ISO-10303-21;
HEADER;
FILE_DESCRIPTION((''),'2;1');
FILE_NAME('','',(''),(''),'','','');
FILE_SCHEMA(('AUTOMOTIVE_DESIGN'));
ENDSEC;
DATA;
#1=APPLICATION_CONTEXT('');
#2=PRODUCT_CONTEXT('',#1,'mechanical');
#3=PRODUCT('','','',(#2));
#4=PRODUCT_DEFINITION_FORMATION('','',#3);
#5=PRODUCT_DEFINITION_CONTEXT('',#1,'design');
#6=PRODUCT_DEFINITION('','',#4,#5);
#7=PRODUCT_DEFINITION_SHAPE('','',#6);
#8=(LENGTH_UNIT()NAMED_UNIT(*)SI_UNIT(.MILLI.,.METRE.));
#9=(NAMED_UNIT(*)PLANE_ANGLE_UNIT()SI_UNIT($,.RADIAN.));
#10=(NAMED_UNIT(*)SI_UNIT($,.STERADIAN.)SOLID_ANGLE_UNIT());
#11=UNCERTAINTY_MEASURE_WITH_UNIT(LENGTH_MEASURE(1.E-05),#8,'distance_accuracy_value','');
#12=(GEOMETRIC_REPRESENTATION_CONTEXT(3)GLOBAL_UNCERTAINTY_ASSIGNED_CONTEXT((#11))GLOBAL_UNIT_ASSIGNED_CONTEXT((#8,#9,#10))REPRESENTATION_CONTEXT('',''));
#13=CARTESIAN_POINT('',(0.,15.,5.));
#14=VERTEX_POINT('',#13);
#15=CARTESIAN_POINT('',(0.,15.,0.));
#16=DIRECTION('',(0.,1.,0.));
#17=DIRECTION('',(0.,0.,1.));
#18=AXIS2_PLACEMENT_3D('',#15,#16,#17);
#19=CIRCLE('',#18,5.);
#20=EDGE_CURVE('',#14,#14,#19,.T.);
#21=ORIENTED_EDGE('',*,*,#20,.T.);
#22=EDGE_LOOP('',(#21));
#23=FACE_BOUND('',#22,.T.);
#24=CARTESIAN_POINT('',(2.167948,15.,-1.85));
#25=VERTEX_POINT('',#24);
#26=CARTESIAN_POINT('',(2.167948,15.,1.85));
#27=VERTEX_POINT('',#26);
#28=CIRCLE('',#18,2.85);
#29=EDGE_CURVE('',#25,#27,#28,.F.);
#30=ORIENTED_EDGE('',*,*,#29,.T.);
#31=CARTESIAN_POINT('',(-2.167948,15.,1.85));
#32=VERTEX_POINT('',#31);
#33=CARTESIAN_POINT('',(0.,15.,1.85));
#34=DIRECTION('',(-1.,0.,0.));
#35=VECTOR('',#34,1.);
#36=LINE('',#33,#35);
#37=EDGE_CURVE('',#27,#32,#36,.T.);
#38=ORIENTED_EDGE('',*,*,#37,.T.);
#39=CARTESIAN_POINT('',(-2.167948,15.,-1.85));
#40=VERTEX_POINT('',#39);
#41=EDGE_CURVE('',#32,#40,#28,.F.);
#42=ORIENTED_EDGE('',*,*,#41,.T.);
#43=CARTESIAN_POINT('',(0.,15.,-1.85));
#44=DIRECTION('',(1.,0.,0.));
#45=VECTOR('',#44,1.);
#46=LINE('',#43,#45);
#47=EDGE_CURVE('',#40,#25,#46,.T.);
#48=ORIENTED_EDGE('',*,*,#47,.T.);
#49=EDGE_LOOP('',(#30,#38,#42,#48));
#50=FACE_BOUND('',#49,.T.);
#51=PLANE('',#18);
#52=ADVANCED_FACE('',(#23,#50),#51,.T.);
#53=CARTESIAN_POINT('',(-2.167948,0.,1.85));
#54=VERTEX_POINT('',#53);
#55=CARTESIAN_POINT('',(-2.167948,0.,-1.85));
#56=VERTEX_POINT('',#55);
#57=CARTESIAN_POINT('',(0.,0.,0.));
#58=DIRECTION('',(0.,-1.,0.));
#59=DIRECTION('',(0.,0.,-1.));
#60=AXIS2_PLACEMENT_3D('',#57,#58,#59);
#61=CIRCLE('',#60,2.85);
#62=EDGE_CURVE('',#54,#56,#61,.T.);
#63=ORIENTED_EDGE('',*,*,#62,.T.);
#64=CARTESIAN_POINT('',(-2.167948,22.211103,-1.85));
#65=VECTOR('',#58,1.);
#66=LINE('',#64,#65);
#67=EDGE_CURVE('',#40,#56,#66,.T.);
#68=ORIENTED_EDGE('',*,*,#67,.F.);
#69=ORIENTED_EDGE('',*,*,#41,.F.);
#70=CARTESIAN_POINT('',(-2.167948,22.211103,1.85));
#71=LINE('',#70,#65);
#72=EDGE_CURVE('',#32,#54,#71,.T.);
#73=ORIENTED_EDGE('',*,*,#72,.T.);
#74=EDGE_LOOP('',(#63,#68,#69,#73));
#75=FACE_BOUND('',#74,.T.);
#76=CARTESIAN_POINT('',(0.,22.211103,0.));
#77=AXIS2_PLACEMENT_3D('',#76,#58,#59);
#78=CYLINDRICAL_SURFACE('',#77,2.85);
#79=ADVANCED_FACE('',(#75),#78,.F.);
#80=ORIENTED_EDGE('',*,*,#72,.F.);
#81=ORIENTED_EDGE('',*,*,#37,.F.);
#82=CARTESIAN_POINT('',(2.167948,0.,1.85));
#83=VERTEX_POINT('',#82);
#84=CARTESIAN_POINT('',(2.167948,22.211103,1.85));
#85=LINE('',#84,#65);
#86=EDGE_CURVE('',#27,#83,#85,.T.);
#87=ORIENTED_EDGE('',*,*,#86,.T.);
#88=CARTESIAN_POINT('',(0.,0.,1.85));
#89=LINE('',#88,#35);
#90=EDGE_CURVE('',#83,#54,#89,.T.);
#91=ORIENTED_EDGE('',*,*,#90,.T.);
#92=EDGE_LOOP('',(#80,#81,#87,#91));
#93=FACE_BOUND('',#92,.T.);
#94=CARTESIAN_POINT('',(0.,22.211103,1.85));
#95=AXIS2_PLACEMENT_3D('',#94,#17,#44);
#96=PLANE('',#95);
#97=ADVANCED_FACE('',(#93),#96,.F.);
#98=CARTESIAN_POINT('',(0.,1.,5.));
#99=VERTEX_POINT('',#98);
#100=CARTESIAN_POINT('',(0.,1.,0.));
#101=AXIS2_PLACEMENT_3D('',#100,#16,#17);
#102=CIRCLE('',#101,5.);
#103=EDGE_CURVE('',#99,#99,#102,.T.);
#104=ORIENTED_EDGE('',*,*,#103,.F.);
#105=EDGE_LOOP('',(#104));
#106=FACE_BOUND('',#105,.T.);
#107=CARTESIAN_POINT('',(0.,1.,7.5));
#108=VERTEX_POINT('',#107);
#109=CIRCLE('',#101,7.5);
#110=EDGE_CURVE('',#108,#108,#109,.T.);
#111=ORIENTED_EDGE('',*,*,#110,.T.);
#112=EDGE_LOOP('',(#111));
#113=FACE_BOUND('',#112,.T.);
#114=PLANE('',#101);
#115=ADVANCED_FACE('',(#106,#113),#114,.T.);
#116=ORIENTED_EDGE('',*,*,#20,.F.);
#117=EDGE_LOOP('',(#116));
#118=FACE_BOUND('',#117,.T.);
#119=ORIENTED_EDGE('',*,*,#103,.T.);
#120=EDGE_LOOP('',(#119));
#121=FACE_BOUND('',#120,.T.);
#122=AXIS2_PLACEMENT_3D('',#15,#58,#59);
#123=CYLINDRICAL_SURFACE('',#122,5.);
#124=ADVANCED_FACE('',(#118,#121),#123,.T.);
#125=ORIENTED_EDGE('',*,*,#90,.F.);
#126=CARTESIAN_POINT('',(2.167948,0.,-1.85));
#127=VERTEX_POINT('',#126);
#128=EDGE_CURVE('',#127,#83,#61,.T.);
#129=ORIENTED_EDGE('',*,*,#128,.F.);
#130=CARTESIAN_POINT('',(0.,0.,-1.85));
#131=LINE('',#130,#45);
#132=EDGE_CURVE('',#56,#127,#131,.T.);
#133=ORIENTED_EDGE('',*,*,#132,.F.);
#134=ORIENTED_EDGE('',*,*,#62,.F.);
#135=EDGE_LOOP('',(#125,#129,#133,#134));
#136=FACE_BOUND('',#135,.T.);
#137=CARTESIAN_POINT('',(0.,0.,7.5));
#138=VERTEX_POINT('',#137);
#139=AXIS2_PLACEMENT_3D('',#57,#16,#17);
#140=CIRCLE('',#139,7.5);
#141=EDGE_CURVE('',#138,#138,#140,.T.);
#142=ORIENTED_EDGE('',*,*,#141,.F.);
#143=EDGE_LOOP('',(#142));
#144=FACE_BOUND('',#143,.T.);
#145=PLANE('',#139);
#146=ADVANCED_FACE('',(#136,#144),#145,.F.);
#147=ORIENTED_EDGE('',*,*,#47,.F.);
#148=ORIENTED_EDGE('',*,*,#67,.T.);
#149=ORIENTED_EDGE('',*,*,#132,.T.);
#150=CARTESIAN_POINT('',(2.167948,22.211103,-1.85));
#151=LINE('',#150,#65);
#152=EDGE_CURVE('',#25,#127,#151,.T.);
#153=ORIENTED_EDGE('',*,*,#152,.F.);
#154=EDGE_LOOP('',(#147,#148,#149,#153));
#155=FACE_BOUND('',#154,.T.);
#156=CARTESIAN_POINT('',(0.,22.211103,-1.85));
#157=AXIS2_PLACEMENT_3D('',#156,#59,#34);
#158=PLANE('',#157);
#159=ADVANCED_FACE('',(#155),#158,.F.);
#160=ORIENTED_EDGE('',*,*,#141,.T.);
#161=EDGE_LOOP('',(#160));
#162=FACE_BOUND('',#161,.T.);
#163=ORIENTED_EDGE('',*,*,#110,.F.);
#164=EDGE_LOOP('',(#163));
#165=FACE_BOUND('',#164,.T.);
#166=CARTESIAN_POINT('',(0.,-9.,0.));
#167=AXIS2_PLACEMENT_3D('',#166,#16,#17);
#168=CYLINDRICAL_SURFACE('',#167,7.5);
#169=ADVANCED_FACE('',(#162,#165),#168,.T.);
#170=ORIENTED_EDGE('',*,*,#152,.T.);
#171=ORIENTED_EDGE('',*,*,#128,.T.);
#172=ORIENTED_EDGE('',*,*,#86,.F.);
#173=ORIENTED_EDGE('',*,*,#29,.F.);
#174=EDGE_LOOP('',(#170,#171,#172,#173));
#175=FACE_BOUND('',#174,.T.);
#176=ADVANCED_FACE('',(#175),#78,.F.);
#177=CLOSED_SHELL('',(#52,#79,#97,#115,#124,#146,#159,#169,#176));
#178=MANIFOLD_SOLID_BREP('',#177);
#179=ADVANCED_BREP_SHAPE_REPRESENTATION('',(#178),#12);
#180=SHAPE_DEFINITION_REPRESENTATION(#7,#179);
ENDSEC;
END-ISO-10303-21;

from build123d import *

# Parameters (mm, degrees)
SKETCH1_R            = 10
BOSS_EXTRUDE2_DEPTH  = 1
SKETCH3_R            = 5
BOSS_EXTRUDE3_DEPTH  = 14
CUT_EXTRUDE1_DEPTH   = 19
SKETCH5_R            = 12.5
BOSS_EXTRUDE4_DEPTH  = 1
CUT_EXTRUDE2_DEPTH   = 19
BOSS_EXTRUDE5_DEPTH  = 2
SKETCH8_R            = 7.5
BOSS_EXTRUDE6_DEPTH  = 2
SKETCH9_R            = 1
CUT_EXTRUDE3_DEPTH   = 25
CUT_EXTRUDE4_DEPTH   = 2
BOSS_EXTRUDE7_DEPTH  = 10
SKETCH14_R           = 1
CUT_EXTRUDE5_DEPTH   = 18
SKETCH15_R           = 1
BOSS_EXTRUDE8_DEPTH  = 17
SKETCH16_R           = 1
CUT_EXTRUDE7_DEPTH   = 10
CUT_EXTRUDE8_START   = -2
CUT_EXTRUDE8_DEPTH   = 2
SKETCH18_R           = 7.5
BOSS_EXTRUDE9_DEPTH  = 1.75
SKETCH19_R           = 7.5
SKETCH19_R_2         = 6.5
CUT_EXTRUDE9_DEPTH   = 1.75
BOSS_EXTRUDE11_START = -15
BOSS_EXTRUDE11_DEPTH = 15
SKETCH23_R           = 1
CUT_EXTRUDE10_DEPTH  = 8.75
SKETCH24_R           = 12.5
SKETCH24_R_2         = 7.5
CUT_EXTRUDE11_DEPTH  = 10
CUT_EXTRUDE12_START  = -10
SKETCH25_R           = 7.5
CUT_EXTRUDE12_DEPTH  = 10


with BuildPart() as part:
    # Sketch1 → Boss-Extrude2 (new body)
    with BuildSketch(Plane(origin=(0, 0, 0), x_dir=(1, 0, 0), z_dir=(0, 1, 0))):
        with Locations(Location((0, 0, 0), (0, 0, 270))):
            Circle(SKETCH1_R)
    extrude(amount=BOSS_EXTRUDE2_DEPTH)

    # Sketch3 → Boss-Extrude3 (add)
    with BuildSketch(Plane(origin=(0, 1, 0), x_dir=(1, 0, 0), z_dir=(0, 1, 0))):
        with Locations(Location((0, 0, 0), (0, 0, 270))):
            Circle(SKETCH3_R)
    extrude(amount=BOSS_EXTRUDE3_DEPTH)

    # Sketch4 → Cut-Extrude1 (cut)
    with BuildSketch(Plane(origin=(0, 15, 0), x_dir=(1, 0, 0), z_dir=(0, 1, 0))):
        with BuildLine():
            Line((0, -2), (0, 2))
            Line((0, 2), (-2.236067977, 2))
            ThreePointArc((-2.236067977, 2), (-3, 0), (-2.236067977, -2))
            Line((-2.236067977, -2), (0, -2))
        make_face()
        with BuildLine():
            Line((2.236067977, 2), (0, 2))
            Line((0, 2), (0, -2))
            Line((0, -2), (2.236067977, -2))
            ThreePointArc((2.236067977, -2), (2.802517077, -1.070466269), (3, 0))
            ThreePointArc((3, 0), (2.802517077, 1.070466269), (2.236067977, 2))
        make_face()
    extrude(amount=-CUT_EXTRUDE1_DEPTH, mode=Mode.SUBTRACT)

    # Sketch5 → Boss-Extrude4 (add)
    with BuildSketch(Plane(origin=(0, 1, 0), x_dir=(1, 0, 0), z_dir=(0, 1, 0))):
        with Locations(Location((0, 0, 0), (0, 0, 270))):
            Circle(SKETCH5_R)
    extrude(amount=-BOSS_EXTRUDE4_DEPTH)

    # Sketch6 → Cut-Extrude2 (cut)
    with BuildSketch(Plane(origin=(0, 1, 0), x_dir=(1, 0, 0), z_dir=(0, 1, 0))):
        with BuildLine():
            Line((2.236067977, 2), (-2.236067977, 2))
            ThreePointArc((-2.236067977, 2), (-3, 0), (-2.236067977, -2))
            Line((-2.236067977, -2), (2.236067977, -2))
            ThreePointArc((2.236067977, -2), (3, 0), (2.236067977, 2))
        make_face()
    extrude(amount=-CUT_EXTRUDE2_DEPTH, mode=Mode.SUBTRACT)

    # Sketch22 → Boss-Extrude11 (add)
    with BuildSketch(Plane.XZ.offset(BOSS_EXTRUDE11_START)):
        with BuildLine():
            Line((-2.236067977, 2), (2.236067977, 2))
            ThreePointArc((2.236067977, 2), (3, 0), (2.236067977, -2))
            Line((2.236067977, -2), (-2.236067977, -2))
            ThreePointArc((-2.236067977, -2), (-3, 0), (-2.236067977, 2))
        make_face()
        with BuildLine():
            ThreePointArc((2.167948339, -1.85), (2.85, 0), (2.167948339, 1.85))
            Line((2.167948339, 1.85), (-2.167948339, 1.85))
            ThreePointArc((-2.167948339, 1.85), (-2.85, 0), (-2.167948339, -1.85))
            Line((-2.167948339, -1.85), (2.167948339, -1.85))
        make_face(mode=Mode.SUBTRACT)
    extrude(amount=BOSS_EXTRUDE11_DEPTH)

    # Sketch24 → Cut-Extrude11 (cut)
    with BuildSketch(Plane(origin=(0, 1, 0), x_dir=(1, 0, 0), z_dir=(0, 1, 0))):
        Circle(SKETCH24_R)
        with Locations(Location((0, 0, 0), (0, 0, 270))):
            Circle(SKETCH24_R_2, mode=Mode.SUBTRACT)
    extrude(amount=-CUT_EXTRUDE11_DEPTH, mode=Mode.SUBTRACT)


with BuildPart() as body_2:
    # Sketch7 → Boss-Extrude5 (new body)
    with BuildSketch(Plane(origin=(0, 15, 0), x_dir=(1, 0, 0), z_dir=(0, 1, 0))):
        with BuildLine():
            Line((-2.236067977, -2), (2.236067977, -2))
            ThreePointArc((2.236067977, -2), (3, 0), (2.236067977, 2))
            Line((2.236067977, 2), (-2.236067977, 2))
            ThreePointArc((-2.236067977, 2), (-3, 0), (-2.236067977, -2))
        make_face()
    extrude(amount=BOSS_EXTRUDE5_DEPTH)

    # Sketch8 → Boss-Extrude6 (add)
    with BuildSketch(Plane(origin=(0, 17, 0), x_dir=(1, 0, 0), z_dir=(0, 1, 0))):
        with Locations(Location((0, 0, 0), (0, 0, 270))):
            Circle(SKETCH8_R)
    extrude(amount=BOSS_EXTRUDE6_DEPTH)

    # Sketch9 → Cut-Extrude3 (cut)
    with BuildSketch(Plane(origin=(0, 19, 0), x_dir=(1, 0, 0), z_dir=(0, 1, 0))):
        with Locations(Location((0, 0, 0), (0, 0, 270))):
            Circle(SKETCH9_R)
    extrude(amount=-CUT_EXTRUDE3_DEPTH, mode=Mode.SUBTRACT)

    # Sketch10 → Cut-Extrude4 (cut)
    with BuildSketch(Plane.XZ.offset(-15)):
        with BuildLine():
            Line((-2.121320344, -1.75), (2.121320344, -1.75))
            ThreePointArc((2.121320344, -1.75), (2.75, 0), (2.121320344, 1.75))
            Line((2.121320344, 1.75), (-2.121320344, 1.75))
            ThreePointArc((-2.121320344, 1.75), (-2.75, 0), (-2.121320344, -1.75))
        make_face()
    extrude(amount=-CUT_EXTRUDE4_DEPTH, mode=Mode.SUBTRACT)

    # Sketch11 → Boss-Extrude7 (add)
    with BuildSketch(Plane.XZ.offset(-17)):
        with BuildLine():
            Line((-2.121320344, -1.75), (2.121320344, -1.75))
            ThreePointArc((2.121320344, -1.75), (2.75, 0), (2.121320344, 1.75))
            Line((2.121320344, 1.75), (-2.121320344, 1.75))
            ThreePointArc((-2.121320344, 1.75), (-2.75, 0), (-2.121320344, -1.75))
        make_face()
    extrude(amount=BOSS_EXTRUDE7_DEPTH)

    # Sketch14 → Cut-Extrude5 (cut)
    with BuildSketch(Plane(origin=(0, 17, 0), x_dir=(1, 0, 0), z_dir=(0, 1, 0))):
        with Locations(Location((0, 0, 0), (0, 0, 270))):
            Circle(SKETCH14_R)
    extrude(amount=-CUT_EXTRUDE5_DEPTH, mode=Mode.SUBTRACT)

    # Sketch15 → Boss-Extrude8 (add)
    with BuildSketch(Plane.XZ.offset(-7)):
        with BuildLine():
            Line((-2.121320344, -1.75), (2.121320344, -1.75))
            ThreePointArc((2.121320344, -1.75), (2.75, 0), (2.121320344, 1.75))
            Line((2.121320344, 1.75), (-2.121320344, 1.75))
            ThreePointArc((-2.121320344, 1.75), (-2.75, 0), (-2.121320344, -1.75))
        make_face()
        with Locations(Location((0, 0, 0), (0, 0, 270))):
            Circle(SKETCH15_R, mode=Mode.SUBTRACT)
    extrude(amount=-BOSS_EXTRUDE8_DEPTH)

    # Sketch16 → Cut-Extrude7 (cut)
    with BuildSketch(Plane.XZ.offset(-7)):
        with BuildLine():
            Line((-2.121320344, -1.75), (2.121320344, -1.75))
            ThreePointArc((2.121320344, -1.75), (2.75, 0), (2.121320344, 1.75))
            Line((2.121320344, 1.75), (-2.121320344, 1.75))
            ThreePointArc((-2.121320344, 1.75), (-2.75, 0), (-2.121320344, -1.75))
        make_face()
        with Locations(Location((0, 0, 0), (0, 0, 90))):
            Circle(SKETCH16_R, mode=Mode.SUBTRACT)
    extrude(amount=-CUT_EXTRUDE7_DEPTH, mode=Mode.SUBTRACT)

    # Sketch17 → Cut-Extrude8 (cut)
    with BuildSketch(Plane.XZ.offset(-15).offset(CUT_EXTRUDE8_START)):
        with BuildLine():
            Line((-2.236067977, -2), (2.236067977, -2))
            ThreePointArc((2.236067977, -2), (3, 0), (2.236067977, 2))
            Line((2.236067977, 2), (-2.236067977, 2))
            ThreePointArc((-2.236067977, 2), (-3, 0), (-2.236067977, -2))
        make_face()
    extrude(amount=CUT_EXTRUDE8_DEPTH, mode=Mode.SUBTRACT)

    # Sketch18 → Boss-Extrude9 (add)
    with BuildSketch(Plane.XZ.offset(-17)):
        with Locations(Location((0, 0, 0), (0, 0, 270))):
            Circle(SKETCH18_R)
    extrude(amount=BOSS_EXTRUDE9_DEPTH)

    # Sketch19 → Cut-Extrude9 (cut)
    # profile 1 of 2: a face of its own
    with BuildSketch(Plane(origin=(0, 19, 0), x_dir=(1, 0, 0), z_dir=(0, 1, 0))):
        with Locations(Location((0, 0, 0), (0, 0, 90))):
            Circle(SKETCH19_R)
        Circle(SKETCH19_R_2, mode=Mode.SUBTRACT)
    # profile 2 of 2: a face of its own
    with BuildSketch(Plane(origin=(0, 19, 0), x_dir=(1, 0, 0), z_dir=(0, 1, 0))):
        Circle(SKETCH19_R_2)
        with BuildLine():
            Line((2.121320344, -1.75), (-2.121320344, -1.75))
            ThreePointArc((-2.121320344, -1.75), (-2.75, 0), (-2.121320344, 1.75))
            Line((-2.121320344, 1.75), (2.121320344, 1.75))
            ThreePointArc((2.121320344, 1.75), (2.75, 0), (2.121320344, -1.75))
        make_face(mode=Mode.SUBTRACT)
    extrude(amount=-CUT_EXTRUDE9_DEPTH, mode=Mode.SUBTRACT)

    # Sketch23 → Cut-Extrude10 (cut)
    with BuildSketch(Plane(origin=(0, 24, 0), x_dir=(1, 0, 0), z_dir=(0, 1, 0))):
        with Locations(Location((0, 0, 0), (0, 0, 90))):
            Circle(SKETCH23_R)
    extrude(amount=-CUT_EXTRUDE10_DEPTH, mode=Mode.SUBTRACT)

    # Sketch25 → Cut-Extrude12 (cut)
    with BuildSketch(Plane.XZ.offset(-15.25).offset(CUT_EXTRUDE12_START)):
        with Locations(Location((0, 0, 0), (0, 0, 90))):
            Circle(SKETCH25_R)
    extrude(amount=CUT_EXTRUDE12_DEPTH, mode=Mode.SUBTRACT)


solid = part.part
